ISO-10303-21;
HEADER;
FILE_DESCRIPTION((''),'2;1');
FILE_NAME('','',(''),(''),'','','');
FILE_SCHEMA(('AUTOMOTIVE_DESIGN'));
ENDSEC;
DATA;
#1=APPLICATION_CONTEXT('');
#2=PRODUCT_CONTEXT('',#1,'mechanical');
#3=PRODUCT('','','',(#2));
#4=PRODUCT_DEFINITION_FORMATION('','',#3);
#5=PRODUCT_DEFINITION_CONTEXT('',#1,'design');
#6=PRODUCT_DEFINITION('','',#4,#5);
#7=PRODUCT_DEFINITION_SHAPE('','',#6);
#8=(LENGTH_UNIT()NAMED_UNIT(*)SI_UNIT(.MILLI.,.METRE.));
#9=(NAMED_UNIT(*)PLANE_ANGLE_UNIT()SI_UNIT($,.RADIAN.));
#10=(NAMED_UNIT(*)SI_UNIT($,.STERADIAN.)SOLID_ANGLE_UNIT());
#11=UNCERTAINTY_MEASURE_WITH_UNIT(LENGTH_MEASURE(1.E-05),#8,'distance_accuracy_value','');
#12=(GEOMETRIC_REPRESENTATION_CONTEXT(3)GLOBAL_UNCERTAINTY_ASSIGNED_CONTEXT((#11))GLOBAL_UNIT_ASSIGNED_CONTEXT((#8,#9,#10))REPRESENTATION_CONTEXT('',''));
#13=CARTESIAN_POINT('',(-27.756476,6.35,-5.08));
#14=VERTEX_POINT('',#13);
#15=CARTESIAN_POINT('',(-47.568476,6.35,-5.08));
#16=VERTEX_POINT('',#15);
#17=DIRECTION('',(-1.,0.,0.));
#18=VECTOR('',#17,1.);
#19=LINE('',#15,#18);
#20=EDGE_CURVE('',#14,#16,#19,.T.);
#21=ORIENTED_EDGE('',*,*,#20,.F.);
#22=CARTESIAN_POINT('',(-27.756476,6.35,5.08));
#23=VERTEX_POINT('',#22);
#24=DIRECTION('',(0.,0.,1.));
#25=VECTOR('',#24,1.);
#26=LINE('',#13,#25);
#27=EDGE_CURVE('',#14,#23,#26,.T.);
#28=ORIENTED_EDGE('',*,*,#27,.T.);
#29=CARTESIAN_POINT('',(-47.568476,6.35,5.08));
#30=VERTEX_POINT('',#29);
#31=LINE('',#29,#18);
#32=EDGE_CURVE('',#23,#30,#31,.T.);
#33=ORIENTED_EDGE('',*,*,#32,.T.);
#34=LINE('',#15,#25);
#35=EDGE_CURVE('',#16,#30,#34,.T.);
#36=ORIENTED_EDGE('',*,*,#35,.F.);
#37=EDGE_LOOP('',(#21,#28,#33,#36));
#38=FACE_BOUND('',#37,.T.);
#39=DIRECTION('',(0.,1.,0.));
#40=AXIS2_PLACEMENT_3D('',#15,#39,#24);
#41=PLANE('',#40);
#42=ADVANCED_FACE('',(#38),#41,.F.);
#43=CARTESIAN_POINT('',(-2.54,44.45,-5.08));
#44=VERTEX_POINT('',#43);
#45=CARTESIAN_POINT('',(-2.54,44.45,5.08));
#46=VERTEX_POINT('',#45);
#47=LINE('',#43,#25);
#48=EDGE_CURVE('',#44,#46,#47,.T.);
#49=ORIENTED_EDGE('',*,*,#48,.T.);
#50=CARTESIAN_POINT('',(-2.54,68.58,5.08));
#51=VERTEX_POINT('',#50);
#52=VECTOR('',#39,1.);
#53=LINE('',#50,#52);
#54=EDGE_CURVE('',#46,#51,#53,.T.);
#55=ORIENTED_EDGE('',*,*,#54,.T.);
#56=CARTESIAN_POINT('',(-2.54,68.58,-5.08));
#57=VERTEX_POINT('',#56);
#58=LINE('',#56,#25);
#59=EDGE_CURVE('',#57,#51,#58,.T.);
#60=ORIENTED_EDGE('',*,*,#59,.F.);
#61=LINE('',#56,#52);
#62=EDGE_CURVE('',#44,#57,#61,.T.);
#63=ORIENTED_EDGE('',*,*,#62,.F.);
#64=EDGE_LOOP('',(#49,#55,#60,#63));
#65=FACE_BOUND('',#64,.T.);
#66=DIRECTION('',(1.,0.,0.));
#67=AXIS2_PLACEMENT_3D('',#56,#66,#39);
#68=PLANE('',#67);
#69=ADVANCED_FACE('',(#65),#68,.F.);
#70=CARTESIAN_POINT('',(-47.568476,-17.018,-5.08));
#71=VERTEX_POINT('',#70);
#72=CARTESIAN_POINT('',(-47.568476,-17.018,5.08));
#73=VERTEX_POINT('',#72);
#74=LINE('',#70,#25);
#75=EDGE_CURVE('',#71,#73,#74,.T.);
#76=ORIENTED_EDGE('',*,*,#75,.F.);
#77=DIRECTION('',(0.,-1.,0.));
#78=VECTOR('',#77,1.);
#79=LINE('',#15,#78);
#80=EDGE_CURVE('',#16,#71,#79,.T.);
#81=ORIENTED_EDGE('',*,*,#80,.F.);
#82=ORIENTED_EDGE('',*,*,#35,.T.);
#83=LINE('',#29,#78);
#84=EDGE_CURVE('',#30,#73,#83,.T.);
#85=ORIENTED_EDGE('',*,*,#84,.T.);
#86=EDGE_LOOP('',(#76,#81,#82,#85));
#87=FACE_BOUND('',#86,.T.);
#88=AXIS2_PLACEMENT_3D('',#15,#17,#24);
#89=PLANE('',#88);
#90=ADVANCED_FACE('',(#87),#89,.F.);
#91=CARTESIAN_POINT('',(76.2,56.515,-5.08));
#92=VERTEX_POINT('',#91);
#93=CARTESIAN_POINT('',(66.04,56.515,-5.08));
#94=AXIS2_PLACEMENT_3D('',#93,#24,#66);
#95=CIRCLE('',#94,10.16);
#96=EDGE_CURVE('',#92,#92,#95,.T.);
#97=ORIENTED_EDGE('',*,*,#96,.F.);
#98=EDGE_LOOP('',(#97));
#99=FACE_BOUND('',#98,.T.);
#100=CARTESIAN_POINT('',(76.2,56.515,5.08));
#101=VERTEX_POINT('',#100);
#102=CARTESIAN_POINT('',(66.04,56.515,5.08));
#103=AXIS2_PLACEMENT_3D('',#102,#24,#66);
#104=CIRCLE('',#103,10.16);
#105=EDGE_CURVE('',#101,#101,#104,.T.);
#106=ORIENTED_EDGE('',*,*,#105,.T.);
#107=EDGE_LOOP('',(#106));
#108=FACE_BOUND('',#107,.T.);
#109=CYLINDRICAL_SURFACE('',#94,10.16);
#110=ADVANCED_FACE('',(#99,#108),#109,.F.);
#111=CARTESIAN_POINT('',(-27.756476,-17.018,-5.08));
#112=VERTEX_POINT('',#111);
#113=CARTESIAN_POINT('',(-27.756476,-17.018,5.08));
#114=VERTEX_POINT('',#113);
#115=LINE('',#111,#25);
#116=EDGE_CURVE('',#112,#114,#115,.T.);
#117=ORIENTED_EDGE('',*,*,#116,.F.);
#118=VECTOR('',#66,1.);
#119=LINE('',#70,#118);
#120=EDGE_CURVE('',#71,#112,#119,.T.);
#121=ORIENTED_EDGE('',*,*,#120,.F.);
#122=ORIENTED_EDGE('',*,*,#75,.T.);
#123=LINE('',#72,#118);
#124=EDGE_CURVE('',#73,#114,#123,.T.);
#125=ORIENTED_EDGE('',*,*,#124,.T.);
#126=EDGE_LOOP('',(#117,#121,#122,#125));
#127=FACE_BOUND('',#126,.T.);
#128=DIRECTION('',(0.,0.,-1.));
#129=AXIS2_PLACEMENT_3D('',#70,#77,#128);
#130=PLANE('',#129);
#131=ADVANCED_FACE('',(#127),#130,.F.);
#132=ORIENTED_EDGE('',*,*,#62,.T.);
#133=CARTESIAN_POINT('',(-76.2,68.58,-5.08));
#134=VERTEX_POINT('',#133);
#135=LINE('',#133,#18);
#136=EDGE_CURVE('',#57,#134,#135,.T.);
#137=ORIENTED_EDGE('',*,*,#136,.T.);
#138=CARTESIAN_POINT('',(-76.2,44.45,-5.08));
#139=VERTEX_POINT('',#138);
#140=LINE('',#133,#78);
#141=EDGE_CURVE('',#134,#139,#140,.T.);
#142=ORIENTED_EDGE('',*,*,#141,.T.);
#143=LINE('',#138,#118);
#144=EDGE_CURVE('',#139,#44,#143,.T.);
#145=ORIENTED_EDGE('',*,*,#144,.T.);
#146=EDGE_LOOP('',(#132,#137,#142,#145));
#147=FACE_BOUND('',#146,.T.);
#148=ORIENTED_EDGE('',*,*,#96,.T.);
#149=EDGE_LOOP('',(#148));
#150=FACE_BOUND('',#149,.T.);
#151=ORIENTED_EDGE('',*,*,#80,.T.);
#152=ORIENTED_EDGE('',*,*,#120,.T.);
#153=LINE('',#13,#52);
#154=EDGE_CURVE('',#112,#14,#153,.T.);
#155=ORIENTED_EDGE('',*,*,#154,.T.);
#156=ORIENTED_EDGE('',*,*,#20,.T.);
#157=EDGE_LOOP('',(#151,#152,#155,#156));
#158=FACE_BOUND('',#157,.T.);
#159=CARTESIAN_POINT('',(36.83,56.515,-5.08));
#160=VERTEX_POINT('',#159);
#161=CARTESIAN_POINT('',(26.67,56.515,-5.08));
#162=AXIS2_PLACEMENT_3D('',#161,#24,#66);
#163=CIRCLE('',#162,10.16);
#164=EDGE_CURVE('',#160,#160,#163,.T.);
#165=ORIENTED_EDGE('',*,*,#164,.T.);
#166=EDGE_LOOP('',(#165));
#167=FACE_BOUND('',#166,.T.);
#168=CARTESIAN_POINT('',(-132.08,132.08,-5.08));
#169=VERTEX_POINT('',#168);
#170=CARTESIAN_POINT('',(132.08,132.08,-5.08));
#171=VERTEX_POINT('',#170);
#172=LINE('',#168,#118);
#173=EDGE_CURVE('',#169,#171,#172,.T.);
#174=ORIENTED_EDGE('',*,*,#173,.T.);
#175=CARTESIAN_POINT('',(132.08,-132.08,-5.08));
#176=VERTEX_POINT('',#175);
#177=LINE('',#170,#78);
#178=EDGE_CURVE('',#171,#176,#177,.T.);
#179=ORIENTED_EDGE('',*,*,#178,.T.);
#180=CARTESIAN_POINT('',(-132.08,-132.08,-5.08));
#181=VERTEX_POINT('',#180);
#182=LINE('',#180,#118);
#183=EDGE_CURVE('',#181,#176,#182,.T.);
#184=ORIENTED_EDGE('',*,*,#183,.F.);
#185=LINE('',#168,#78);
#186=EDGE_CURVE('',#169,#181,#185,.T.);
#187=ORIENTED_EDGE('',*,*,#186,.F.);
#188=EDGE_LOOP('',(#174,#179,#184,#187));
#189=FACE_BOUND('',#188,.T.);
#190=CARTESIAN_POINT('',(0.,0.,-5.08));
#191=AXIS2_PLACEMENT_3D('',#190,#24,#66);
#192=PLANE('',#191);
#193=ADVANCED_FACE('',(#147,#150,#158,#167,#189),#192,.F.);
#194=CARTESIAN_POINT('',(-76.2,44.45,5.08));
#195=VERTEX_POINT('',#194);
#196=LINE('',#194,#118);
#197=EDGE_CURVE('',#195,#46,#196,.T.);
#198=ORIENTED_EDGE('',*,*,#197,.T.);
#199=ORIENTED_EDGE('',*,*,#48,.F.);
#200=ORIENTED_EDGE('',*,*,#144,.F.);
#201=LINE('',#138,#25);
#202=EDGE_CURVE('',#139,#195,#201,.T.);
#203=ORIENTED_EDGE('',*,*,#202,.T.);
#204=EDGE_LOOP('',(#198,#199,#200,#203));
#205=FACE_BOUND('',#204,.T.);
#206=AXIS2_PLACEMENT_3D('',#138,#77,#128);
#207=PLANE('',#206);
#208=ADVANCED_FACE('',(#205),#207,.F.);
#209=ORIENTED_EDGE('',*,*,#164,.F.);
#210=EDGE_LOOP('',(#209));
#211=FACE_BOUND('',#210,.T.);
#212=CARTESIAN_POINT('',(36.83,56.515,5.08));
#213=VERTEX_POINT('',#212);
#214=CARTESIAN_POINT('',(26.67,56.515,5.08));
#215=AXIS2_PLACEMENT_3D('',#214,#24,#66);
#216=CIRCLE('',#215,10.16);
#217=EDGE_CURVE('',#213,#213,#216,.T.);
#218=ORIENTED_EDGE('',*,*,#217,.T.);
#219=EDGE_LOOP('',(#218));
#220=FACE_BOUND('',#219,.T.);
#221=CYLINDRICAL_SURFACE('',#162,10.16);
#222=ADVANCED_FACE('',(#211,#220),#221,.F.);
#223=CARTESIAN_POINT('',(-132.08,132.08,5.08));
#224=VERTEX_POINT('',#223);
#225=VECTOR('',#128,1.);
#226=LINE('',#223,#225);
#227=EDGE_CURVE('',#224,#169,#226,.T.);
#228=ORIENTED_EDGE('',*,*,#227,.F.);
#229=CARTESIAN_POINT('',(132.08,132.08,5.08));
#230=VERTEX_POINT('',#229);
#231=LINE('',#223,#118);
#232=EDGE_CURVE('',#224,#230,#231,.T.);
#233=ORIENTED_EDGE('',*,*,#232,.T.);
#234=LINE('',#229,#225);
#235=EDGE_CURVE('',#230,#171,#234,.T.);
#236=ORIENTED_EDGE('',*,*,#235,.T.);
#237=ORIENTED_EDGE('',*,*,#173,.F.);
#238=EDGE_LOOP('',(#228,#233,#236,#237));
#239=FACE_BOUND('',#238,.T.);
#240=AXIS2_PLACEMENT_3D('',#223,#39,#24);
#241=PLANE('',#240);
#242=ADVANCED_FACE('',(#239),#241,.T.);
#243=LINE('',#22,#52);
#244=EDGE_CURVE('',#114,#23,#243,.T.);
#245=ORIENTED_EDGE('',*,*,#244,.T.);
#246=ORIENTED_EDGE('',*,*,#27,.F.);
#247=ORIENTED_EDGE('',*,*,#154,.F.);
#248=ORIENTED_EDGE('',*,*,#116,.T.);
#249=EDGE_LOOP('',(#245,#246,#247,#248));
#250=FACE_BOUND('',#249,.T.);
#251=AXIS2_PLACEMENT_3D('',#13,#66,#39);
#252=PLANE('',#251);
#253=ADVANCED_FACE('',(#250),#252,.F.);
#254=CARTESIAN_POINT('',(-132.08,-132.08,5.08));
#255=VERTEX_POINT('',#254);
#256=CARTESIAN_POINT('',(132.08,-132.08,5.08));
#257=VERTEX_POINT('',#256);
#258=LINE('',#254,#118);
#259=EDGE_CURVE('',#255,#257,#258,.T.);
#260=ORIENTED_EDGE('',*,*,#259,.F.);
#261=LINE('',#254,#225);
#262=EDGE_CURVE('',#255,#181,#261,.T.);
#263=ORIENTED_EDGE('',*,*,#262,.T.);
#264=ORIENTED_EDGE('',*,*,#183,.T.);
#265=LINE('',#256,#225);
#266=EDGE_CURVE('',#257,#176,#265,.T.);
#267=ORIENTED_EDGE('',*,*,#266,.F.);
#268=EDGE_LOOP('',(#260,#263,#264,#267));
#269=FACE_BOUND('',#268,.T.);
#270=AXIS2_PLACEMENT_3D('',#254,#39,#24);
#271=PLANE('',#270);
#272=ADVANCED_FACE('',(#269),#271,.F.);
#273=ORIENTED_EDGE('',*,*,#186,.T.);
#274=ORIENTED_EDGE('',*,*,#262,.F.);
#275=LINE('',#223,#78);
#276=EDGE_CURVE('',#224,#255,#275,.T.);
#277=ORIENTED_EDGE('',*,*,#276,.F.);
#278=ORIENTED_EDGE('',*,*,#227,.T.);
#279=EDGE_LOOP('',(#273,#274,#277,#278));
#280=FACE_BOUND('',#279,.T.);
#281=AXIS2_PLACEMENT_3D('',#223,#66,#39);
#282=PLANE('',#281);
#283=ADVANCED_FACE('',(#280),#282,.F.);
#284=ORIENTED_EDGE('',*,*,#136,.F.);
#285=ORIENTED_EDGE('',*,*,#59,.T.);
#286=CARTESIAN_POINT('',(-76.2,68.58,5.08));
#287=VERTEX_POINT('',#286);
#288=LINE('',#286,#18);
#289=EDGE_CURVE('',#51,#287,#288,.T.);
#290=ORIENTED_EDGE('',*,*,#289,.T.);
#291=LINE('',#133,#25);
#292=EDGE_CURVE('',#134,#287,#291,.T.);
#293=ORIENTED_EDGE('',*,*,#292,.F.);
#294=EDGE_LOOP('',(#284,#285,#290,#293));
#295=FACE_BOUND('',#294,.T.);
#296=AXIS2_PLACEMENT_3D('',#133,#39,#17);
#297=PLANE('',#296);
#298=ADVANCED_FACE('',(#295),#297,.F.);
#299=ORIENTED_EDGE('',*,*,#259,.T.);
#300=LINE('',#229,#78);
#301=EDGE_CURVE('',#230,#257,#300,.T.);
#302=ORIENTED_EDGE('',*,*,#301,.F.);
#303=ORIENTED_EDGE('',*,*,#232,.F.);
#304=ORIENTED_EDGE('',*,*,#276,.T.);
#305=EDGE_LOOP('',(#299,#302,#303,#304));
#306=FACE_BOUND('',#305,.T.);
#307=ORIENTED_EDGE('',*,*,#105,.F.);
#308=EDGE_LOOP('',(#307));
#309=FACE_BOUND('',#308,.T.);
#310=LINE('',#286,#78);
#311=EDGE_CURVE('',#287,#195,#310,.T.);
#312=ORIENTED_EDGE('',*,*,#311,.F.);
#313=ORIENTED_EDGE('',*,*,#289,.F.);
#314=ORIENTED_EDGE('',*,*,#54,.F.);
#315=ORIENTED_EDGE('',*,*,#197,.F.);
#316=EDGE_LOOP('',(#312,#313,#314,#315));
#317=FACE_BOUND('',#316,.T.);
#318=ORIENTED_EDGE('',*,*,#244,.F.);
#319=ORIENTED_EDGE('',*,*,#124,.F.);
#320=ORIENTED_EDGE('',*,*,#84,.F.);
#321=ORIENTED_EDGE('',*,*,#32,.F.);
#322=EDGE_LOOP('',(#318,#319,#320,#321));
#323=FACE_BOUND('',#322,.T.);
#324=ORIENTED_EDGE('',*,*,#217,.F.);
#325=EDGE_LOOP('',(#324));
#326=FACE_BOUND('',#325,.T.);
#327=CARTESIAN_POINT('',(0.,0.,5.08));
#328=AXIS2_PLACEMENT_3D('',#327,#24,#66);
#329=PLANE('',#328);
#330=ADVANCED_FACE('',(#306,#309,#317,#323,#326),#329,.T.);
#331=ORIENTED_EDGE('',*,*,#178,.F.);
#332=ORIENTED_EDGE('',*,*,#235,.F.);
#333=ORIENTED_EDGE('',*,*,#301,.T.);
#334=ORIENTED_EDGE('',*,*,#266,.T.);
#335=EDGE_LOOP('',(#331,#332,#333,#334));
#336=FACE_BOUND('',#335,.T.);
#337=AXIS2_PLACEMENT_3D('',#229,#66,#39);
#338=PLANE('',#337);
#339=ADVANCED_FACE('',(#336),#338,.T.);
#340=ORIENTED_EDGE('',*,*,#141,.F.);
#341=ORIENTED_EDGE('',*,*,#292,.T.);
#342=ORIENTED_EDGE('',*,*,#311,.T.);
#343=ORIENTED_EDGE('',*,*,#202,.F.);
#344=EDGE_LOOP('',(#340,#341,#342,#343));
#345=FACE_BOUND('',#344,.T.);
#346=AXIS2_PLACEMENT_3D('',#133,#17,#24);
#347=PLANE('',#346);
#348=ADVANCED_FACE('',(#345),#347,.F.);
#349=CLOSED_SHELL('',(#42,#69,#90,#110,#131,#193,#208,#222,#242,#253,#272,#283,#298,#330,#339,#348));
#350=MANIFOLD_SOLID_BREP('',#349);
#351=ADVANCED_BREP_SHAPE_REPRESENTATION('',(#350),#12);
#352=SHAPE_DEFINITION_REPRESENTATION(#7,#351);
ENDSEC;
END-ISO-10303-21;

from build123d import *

# Parameters (mm, degrees)
SKETCH1_W           = 264.16
SKETCH1_H           = 264.16
BOSS_EXTRUDE1_DEPTH = 5.08
SKETCH2_R           = 10.16
SKETCH2_W           = 73.66
SKETCH2_H           = 24.13
SKETCH2_W_2         = 19.812
SKETCH2_H_2         = 23.368
CUT_EXTRUDE1_DEPTH  = 11.16


with BuildPart() as part:
    # Sketch1 → Boss-Extrude1 (new body, symmetric)
    with BuildSketch(Plane.XY):
        Rectangle(SKETCH1_W, SKETCH1_H)
    extrude(amount=BOSS_EXTRUDE1_DEPTH, both=True)

    # Sketch2 → Cut-Extrude1 (cut, through all)
    with BuildSketch(Plane.XY.offset(5.08)):
        with Locations((26.67, 56.515)):
            Circle(SKETCH2_R)
        with Locations((66.04, 56.515)):
            Circle(SKETCH2_R)
        with Locations((-39.37, 56.515)):
            Rectangle(SKETCH2_W, SKETCH2_H)
        with Locations((-37.662476274, -5.334)):
            Rectangle(SKETCH2_W_2, SKETCH2_H_2)
    extrude(amount=-CUT_EXTRUDE1_DEPTH, mode=Mode.SUBTRACT)


solid = part.part
